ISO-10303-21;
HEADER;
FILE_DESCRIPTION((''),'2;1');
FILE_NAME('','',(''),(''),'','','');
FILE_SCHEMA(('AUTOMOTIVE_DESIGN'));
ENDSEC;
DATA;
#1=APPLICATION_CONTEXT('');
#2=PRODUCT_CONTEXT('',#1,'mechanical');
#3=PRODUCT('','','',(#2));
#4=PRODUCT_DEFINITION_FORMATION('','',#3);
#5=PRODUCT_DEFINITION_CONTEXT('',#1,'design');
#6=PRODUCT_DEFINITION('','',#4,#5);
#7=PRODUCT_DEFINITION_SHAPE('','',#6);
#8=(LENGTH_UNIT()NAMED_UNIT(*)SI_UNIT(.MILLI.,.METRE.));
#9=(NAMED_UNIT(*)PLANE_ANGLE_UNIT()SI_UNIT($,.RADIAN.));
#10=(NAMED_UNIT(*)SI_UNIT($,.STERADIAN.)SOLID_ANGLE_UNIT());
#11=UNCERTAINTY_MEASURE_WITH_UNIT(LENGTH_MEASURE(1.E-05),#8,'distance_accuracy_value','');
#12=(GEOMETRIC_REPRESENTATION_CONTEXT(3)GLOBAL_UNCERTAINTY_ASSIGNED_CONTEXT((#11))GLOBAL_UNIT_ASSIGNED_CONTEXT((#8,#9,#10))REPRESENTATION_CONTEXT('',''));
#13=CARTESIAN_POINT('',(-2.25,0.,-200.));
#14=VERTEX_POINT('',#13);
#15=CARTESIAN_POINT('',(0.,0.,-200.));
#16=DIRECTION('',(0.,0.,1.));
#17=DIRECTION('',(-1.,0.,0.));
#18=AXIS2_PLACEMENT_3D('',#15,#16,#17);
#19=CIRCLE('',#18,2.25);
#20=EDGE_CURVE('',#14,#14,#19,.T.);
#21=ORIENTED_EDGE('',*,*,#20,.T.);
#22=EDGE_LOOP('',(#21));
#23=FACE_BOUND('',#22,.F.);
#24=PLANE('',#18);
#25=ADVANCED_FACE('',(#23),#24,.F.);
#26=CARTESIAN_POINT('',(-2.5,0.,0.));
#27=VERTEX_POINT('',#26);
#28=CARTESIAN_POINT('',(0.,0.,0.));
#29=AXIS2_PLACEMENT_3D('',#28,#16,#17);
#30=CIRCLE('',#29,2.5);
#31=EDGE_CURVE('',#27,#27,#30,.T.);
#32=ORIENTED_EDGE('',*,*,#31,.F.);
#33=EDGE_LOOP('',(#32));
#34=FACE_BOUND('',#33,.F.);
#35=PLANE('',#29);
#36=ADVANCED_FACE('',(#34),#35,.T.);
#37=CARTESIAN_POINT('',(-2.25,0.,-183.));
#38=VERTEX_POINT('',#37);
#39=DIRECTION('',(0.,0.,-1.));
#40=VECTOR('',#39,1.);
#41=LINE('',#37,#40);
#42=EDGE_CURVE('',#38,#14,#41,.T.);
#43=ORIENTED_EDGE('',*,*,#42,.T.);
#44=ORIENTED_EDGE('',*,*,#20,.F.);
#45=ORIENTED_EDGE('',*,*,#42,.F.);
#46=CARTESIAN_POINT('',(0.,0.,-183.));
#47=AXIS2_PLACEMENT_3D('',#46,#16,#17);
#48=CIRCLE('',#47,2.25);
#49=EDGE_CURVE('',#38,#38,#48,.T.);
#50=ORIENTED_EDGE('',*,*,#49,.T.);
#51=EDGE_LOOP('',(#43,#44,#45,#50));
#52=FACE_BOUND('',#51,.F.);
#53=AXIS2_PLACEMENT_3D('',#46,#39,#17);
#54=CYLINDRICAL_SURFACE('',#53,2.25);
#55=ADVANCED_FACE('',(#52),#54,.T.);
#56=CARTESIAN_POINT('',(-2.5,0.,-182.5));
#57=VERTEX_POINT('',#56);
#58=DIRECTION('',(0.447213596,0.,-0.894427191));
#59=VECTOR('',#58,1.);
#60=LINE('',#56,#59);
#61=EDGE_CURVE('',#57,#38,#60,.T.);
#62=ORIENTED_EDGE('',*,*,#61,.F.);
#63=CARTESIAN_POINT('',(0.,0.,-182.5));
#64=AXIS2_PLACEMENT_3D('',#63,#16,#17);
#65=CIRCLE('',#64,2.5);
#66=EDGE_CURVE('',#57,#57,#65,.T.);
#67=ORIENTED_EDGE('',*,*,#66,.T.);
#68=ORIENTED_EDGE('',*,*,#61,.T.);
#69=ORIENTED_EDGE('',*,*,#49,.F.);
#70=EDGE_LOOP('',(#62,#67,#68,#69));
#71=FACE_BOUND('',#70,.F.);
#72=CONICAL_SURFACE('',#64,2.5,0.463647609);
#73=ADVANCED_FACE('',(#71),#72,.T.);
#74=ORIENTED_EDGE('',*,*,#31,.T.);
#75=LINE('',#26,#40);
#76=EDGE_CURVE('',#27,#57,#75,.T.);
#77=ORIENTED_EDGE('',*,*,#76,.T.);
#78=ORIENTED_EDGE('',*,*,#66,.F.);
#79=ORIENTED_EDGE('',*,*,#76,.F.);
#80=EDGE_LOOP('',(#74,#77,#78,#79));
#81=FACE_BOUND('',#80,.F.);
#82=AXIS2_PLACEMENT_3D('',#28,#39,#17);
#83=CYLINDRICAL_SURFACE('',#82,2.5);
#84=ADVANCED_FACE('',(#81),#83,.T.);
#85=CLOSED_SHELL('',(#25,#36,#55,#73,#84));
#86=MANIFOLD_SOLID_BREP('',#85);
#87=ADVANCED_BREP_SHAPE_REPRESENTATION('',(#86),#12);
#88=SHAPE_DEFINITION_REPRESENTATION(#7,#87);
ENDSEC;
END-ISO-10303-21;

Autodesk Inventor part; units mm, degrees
ref_plane "YZ Plane" through (0, 0, 0) normal (1, 0, 0) x (0, 1, 0)
ref_plane "XZ Plane" through (0, 0, 0) normal (0, 1, 0) x (-1, 0, 0)
ref_plane "XY Plane" through (0, 0, 0) normal (0, 0, 1) x (1, 0, 0)
sketch "スケッチ1" plane through (0, 0, 0) normal (0, 1, 0) x (-1, 0, 0)
  line L0 (0, 0) -> (2.5, 0)
  line L1 (2.5, 0) -> (2.5, -182.5)
  line L2 (2.5, -182.5) -> (2.25, -183)
  line L3 (2.25, -183) -> (2.25, -200)
  line L4 (2.25, -200) -> (0, -200)
  line L5 (0, -200) -> (0, 0)
  point P0 (2.25, -182.5)
  dimension "d0" = 2.5
  dimension "d1" = 182.5
  dimension "d2" = 0.25
  dimension "d3" = 0.5
  dimension "d4" = 17
revolve "回転1" add sketch "スケッチ1" angle 360 about axis through (0, 0, -200) along (0, 0, 1)
properties part number "SMC_CJ2B16-175(円柱)"
